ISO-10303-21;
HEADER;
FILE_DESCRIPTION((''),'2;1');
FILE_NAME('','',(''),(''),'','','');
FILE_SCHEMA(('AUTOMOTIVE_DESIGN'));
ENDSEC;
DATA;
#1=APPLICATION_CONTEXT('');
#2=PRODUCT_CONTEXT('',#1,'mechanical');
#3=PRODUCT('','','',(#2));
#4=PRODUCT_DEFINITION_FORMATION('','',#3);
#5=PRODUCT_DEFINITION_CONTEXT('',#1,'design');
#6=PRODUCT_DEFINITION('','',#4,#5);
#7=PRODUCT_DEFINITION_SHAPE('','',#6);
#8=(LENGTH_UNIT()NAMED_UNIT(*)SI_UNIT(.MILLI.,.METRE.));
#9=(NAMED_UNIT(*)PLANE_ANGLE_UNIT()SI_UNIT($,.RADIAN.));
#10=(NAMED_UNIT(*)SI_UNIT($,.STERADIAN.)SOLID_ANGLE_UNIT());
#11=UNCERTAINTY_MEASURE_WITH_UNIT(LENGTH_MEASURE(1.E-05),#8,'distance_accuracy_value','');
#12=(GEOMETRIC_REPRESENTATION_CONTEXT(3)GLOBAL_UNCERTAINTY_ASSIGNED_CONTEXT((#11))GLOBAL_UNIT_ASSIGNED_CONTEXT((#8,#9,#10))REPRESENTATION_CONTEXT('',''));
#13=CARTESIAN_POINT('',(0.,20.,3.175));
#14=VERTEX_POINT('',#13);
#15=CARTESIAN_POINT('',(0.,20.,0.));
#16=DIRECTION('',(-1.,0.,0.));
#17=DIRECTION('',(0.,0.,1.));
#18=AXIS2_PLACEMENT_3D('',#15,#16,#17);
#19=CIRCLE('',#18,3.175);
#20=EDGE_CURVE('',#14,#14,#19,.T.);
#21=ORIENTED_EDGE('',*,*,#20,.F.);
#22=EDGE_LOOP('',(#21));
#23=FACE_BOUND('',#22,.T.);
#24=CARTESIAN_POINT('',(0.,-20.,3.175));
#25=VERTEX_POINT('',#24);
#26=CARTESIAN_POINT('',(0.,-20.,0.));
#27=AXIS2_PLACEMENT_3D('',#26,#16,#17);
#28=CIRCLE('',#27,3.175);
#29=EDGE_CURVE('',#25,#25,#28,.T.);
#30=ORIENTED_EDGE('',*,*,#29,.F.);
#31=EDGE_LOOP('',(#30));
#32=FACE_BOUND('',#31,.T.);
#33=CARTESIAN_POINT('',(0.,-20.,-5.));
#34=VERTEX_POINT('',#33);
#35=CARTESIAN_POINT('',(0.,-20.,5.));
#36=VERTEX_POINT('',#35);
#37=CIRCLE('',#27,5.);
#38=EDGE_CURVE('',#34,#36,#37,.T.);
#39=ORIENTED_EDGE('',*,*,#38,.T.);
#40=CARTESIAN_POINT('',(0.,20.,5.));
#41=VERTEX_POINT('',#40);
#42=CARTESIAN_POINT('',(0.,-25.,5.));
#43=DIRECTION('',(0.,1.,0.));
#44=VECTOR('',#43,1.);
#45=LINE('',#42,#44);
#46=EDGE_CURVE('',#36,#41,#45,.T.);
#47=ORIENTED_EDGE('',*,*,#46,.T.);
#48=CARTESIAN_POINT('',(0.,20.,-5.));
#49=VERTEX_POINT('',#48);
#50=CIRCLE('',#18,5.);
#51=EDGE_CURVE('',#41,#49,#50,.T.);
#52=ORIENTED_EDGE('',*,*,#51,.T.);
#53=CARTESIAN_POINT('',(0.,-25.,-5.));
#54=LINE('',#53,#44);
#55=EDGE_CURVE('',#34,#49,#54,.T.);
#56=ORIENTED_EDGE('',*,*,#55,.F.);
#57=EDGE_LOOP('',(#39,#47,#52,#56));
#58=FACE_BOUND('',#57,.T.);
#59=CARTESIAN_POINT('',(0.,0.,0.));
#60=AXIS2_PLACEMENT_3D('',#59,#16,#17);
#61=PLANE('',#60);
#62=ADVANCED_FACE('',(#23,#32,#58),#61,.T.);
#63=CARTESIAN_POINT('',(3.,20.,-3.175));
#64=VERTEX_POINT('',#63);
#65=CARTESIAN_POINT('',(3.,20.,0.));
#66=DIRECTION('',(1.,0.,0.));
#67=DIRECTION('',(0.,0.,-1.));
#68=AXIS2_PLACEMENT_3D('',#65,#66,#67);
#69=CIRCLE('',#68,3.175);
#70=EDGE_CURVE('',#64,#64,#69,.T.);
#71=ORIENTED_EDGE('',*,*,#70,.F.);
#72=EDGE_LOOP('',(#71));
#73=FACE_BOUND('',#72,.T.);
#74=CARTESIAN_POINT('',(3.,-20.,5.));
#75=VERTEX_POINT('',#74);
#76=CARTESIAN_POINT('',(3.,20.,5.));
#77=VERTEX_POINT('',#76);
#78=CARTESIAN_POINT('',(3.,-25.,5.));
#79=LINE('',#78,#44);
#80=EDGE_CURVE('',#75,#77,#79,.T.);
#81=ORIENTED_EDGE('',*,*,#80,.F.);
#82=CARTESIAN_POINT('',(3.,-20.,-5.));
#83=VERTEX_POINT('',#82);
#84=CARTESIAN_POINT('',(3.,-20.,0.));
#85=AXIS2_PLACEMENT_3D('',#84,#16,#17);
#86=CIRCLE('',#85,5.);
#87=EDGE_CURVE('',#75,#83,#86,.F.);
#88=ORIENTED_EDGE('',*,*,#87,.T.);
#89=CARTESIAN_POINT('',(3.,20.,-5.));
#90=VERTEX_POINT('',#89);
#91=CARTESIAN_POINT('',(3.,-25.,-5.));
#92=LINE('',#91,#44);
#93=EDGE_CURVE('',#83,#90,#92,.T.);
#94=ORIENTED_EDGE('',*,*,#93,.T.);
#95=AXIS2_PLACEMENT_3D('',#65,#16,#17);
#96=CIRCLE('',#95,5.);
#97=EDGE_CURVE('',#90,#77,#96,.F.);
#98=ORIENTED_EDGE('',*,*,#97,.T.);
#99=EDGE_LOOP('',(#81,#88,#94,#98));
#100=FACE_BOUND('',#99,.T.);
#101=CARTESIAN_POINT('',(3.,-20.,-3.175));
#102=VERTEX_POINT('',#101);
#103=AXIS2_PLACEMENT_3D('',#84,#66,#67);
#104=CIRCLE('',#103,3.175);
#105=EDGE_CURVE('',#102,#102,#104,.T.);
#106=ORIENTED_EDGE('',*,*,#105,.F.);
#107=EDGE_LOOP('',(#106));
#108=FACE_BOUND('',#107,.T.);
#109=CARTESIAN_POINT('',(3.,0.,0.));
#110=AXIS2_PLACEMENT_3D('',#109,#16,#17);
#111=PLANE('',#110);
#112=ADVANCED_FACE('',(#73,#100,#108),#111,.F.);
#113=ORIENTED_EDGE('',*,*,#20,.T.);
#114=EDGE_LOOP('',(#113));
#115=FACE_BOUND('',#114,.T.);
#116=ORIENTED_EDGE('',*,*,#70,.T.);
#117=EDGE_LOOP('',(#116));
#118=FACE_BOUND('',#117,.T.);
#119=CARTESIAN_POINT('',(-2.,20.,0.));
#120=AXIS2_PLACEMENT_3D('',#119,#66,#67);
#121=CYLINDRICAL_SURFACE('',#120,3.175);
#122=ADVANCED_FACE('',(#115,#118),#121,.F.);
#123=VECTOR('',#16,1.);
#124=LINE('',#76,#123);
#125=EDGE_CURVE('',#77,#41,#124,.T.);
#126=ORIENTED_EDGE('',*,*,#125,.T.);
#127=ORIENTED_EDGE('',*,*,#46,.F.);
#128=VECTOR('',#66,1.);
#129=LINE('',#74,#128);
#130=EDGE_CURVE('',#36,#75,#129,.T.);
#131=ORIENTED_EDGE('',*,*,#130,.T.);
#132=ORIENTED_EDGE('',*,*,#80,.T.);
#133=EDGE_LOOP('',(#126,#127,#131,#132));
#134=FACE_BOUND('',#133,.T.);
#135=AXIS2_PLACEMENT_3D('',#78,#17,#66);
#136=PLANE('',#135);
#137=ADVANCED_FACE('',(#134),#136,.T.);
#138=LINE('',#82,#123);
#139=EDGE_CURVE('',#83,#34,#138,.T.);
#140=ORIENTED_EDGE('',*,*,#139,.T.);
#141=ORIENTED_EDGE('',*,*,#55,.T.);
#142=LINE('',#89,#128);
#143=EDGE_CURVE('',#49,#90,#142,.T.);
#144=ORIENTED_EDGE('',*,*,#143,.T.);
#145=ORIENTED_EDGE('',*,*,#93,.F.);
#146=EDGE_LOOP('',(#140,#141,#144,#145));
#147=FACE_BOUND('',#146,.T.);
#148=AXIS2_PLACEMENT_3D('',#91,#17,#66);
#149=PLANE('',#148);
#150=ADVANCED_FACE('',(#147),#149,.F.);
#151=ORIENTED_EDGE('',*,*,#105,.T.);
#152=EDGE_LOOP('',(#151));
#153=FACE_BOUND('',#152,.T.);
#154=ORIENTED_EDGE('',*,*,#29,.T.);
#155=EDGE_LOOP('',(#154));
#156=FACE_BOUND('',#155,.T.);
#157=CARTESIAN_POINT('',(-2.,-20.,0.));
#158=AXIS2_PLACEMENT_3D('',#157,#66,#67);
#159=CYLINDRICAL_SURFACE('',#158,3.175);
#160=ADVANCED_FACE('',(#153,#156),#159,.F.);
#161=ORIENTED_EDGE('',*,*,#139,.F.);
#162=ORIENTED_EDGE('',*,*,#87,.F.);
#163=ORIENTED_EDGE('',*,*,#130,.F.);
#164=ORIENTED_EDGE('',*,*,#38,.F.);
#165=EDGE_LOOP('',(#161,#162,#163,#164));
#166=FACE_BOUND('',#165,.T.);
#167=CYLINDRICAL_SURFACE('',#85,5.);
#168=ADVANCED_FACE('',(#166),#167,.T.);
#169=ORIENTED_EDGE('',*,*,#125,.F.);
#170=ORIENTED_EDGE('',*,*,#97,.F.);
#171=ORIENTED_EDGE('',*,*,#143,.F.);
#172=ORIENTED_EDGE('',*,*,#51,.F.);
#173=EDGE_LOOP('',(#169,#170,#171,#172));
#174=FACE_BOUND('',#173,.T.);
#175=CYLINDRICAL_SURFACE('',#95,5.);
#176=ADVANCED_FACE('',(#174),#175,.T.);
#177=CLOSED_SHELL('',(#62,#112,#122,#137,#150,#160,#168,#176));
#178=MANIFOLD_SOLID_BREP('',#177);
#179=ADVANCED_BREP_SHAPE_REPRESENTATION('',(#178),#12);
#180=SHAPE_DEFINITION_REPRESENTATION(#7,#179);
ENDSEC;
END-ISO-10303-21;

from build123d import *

# Parameters (mm, degrees)
SKETCH3_W           = 10
SKETCH3_H           = 50
BOSS_EXTRUDE1_DEPTH = 3
SKETCH4_R           = 3.175
CUT_EXTRUDE1_DEPTH  = 5
FILLET3_RADIUS      = 5
FILLET3_LENGTH      = 3
FILLET4_RADIUS      = 5
FILLET4_LENGTH      = 3


with BuildPart() as part:
    # Sketch3 → Boss-Extrude1 (new body)
    with BuildSketch(Plane(origin=(0, 0, 0), x_dir=(0, 0, -1), z_dir=(1, 0, 0))):
        Rectangle(SKETCH3_W, SKETCH3_H)
    extrude(amount=BOSS_EXTRUDE1_DEPTH)

    # Sketch4 → Cut-Extrude1 (cut)
    with BuildSketch(Plane(origin=(3, 0, 0), x_dir=(0, 0, -1), z_dir=(1, 0, 0))):
        with Locations((0, 20)):
            Circle(SKETCH4_R)
        with Locations((0, -20)):
            Circle(SKETCH4_R)
    extrude(amount=-CUT_EXTRUDE1_DEPTH, mode=Mode.SUBTRACT)

    # Fillet3: full round fillet: the end face becomes a half cylinder, R = half its width
    fillet3_face = Plane((1.5, 25, 0), x_dir=(-1, 0, 0), z_dir=(0, 1, 0))  # on the end face: x along it, z out of the body
    fillet3_slab = fillet3_face.offset(-FILLET3_RADIUS / 2) * Box(FILLET3_LENGTH, 2 * FILLET3_RADIUS, FILLET3_RADIUS, mode=Mode.PRIVATE)  # the body's end, R deep
    fillet3_round = Plane((1.5, 20, 0), x_dir=(0, 1, 0), z_dir=(-1, 0, 0)) * Cylinder(FILLET3_RADIUS, FILLET3_LENGTH, mode=Mode.PRIVATE)  # its axis R under the face
    add(fillet3_slab - fillet3_round, mode=Mode.SUBTRACT)

    # Fillet4: full round fillet: the end face becomes a half cylinder, R = half its width
    fillet4_face = Plane((1.5, -25, 0), x_dir=(-1, 0, 0), z_dir=(0, -1, 0))  # on the end face: x along it, z out of the body
    fillet4_slab = fillet4_face.offset(-FILLET4_RADIUS / 2) * Box(FILLET4_LENGTH, 2 * FILLET4_RADIUS, FILLET4_RADIUS, mode=Mode.PRIVATE)  # the body's end, R deep
    fillet4_round = Plane((1.5, -20, 0), x_dir=(0, -1, 0), z_dir=(-1, 0, 0)) * Cylinder(FILLET4_RADIUS, FILLET4_LENGTH, mode=Mode.PRIVATE)  # its axis R under the face
    add(fillet4_slab - fillet4_round, mode=Mode.SUBTRACT)


solid = part.part
